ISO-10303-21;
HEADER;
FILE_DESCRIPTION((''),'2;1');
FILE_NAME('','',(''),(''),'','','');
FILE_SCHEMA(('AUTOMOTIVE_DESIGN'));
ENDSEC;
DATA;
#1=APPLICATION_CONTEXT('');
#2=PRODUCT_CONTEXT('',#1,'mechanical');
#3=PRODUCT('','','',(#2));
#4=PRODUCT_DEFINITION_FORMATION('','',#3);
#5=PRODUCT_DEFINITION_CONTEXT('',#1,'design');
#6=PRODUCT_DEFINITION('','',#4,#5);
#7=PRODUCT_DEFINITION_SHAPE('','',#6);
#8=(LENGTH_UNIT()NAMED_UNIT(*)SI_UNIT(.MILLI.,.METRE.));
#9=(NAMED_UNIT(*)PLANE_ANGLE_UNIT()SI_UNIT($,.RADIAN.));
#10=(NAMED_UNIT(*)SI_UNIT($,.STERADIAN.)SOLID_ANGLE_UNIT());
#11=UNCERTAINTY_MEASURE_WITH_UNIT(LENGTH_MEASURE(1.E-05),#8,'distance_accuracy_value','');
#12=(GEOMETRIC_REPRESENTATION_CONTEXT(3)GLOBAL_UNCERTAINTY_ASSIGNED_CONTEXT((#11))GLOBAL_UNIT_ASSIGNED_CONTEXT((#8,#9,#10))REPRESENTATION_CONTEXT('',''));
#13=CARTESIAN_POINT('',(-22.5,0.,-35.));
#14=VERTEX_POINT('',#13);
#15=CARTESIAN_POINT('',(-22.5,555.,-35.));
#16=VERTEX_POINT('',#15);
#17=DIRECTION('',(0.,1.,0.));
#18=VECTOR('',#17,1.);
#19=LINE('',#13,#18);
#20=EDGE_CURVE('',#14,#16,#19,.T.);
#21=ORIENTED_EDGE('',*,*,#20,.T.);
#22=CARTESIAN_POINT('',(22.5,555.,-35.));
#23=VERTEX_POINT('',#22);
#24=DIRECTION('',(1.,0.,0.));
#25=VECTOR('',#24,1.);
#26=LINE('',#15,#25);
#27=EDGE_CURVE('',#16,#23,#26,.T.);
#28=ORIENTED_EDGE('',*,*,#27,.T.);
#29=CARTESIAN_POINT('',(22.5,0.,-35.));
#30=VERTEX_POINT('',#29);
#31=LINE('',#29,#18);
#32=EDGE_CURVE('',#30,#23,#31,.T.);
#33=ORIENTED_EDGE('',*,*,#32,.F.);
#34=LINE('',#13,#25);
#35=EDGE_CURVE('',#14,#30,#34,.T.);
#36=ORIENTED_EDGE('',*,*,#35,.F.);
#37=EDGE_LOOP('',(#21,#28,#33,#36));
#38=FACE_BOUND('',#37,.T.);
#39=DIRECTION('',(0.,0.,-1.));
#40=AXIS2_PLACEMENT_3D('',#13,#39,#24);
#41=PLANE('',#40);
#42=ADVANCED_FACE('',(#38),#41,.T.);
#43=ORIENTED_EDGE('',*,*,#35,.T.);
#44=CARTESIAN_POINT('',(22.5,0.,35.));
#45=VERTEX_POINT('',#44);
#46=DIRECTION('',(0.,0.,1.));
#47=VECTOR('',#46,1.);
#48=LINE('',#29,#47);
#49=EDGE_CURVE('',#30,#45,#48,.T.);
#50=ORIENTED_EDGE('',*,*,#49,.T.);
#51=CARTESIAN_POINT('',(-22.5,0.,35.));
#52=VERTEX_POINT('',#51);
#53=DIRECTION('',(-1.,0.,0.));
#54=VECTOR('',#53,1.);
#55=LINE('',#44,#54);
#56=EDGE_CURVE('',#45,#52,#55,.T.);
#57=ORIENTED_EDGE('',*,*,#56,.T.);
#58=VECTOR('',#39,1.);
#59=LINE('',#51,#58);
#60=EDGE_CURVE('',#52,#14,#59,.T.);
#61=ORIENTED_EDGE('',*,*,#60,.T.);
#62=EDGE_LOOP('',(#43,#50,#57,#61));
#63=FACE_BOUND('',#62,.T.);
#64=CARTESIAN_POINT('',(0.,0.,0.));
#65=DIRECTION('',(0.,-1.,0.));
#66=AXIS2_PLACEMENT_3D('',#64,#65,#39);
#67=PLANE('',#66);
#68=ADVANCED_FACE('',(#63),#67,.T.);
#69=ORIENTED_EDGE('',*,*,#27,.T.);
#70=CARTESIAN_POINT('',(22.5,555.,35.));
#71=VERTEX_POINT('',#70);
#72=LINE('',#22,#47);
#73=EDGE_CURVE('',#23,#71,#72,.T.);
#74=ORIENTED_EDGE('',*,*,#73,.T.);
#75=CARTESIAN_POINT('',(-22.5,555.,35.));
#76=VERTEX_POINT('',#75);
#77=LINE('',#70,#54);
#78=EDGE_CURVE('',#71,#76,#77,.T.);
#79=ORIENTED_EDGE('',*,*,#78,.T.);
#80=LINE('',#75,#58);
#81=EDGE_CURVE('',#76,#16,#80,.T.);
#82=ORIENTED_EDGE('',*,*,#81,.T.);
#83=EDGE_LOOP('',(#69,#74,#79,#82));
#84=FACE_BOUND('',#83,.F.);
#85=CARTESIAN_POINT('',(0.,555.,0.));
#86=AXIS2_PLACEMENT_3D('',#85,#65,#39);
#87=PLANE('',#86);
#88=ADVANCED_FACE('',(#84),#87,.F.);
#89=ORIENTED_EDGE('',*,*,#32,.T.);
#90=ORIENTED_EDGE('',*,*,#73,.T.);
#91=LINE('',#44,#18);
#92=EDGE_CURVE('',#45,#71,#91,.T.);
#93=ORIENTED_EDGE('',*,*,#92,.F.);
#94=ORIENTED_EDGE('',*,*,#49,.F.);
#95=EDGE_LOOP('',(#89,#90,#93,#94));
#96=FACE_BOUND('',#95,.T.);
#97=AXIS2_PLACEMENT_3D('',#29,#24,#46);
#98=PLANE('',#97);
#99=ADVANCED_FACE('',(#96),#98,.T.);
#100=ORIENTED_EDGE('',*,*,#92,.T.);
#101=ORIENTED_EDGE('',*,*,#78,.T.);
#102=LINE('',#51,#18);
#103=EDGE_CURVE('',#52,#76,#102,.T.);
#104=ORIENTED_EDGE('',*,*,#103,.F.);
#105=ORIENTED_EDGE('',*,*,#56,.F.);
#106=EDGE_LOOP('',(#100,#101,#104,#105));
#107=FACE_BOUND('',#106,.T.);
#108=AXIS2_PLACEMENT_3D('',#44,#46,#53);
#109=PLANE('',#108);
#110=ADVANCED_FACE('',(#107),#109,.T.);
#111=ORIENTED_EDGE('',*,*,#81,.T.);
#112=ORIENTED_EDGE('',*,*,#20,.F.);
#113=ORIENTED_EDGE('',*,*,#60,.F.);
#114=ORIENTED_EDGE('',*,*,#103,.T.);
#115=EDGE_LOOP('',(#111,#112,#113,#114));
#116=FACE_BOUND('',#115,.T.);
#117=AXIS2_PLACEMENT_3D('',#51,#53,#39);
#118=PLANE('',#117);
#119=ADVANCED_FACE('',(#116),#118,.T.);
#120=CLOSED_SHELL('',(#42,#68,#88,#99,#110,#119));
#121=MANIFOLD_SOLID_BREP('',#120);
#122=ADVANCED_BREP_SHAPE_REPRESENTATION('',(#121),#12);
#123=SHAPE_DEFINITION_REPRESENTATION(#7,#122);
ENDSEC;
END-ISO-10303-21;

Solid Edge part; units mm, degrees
sketch "Sketch1" plane through (0, 0, 0) normal (0, -1, 0) x (1, 0, 0)
  line L0 (-22.5, -35) -> (22.5, -35)
  line L1 (22.5, -35) -> (22.5, 35)
  line L2 (22.5, 35) -> (-22.5, 35)
  line L3 (-22.5, 35) -> (-22.5, -35)
extrude "Protrusion1" add sketch "Sketch1" against normal blind 555
properties material "Wood, Pine"
